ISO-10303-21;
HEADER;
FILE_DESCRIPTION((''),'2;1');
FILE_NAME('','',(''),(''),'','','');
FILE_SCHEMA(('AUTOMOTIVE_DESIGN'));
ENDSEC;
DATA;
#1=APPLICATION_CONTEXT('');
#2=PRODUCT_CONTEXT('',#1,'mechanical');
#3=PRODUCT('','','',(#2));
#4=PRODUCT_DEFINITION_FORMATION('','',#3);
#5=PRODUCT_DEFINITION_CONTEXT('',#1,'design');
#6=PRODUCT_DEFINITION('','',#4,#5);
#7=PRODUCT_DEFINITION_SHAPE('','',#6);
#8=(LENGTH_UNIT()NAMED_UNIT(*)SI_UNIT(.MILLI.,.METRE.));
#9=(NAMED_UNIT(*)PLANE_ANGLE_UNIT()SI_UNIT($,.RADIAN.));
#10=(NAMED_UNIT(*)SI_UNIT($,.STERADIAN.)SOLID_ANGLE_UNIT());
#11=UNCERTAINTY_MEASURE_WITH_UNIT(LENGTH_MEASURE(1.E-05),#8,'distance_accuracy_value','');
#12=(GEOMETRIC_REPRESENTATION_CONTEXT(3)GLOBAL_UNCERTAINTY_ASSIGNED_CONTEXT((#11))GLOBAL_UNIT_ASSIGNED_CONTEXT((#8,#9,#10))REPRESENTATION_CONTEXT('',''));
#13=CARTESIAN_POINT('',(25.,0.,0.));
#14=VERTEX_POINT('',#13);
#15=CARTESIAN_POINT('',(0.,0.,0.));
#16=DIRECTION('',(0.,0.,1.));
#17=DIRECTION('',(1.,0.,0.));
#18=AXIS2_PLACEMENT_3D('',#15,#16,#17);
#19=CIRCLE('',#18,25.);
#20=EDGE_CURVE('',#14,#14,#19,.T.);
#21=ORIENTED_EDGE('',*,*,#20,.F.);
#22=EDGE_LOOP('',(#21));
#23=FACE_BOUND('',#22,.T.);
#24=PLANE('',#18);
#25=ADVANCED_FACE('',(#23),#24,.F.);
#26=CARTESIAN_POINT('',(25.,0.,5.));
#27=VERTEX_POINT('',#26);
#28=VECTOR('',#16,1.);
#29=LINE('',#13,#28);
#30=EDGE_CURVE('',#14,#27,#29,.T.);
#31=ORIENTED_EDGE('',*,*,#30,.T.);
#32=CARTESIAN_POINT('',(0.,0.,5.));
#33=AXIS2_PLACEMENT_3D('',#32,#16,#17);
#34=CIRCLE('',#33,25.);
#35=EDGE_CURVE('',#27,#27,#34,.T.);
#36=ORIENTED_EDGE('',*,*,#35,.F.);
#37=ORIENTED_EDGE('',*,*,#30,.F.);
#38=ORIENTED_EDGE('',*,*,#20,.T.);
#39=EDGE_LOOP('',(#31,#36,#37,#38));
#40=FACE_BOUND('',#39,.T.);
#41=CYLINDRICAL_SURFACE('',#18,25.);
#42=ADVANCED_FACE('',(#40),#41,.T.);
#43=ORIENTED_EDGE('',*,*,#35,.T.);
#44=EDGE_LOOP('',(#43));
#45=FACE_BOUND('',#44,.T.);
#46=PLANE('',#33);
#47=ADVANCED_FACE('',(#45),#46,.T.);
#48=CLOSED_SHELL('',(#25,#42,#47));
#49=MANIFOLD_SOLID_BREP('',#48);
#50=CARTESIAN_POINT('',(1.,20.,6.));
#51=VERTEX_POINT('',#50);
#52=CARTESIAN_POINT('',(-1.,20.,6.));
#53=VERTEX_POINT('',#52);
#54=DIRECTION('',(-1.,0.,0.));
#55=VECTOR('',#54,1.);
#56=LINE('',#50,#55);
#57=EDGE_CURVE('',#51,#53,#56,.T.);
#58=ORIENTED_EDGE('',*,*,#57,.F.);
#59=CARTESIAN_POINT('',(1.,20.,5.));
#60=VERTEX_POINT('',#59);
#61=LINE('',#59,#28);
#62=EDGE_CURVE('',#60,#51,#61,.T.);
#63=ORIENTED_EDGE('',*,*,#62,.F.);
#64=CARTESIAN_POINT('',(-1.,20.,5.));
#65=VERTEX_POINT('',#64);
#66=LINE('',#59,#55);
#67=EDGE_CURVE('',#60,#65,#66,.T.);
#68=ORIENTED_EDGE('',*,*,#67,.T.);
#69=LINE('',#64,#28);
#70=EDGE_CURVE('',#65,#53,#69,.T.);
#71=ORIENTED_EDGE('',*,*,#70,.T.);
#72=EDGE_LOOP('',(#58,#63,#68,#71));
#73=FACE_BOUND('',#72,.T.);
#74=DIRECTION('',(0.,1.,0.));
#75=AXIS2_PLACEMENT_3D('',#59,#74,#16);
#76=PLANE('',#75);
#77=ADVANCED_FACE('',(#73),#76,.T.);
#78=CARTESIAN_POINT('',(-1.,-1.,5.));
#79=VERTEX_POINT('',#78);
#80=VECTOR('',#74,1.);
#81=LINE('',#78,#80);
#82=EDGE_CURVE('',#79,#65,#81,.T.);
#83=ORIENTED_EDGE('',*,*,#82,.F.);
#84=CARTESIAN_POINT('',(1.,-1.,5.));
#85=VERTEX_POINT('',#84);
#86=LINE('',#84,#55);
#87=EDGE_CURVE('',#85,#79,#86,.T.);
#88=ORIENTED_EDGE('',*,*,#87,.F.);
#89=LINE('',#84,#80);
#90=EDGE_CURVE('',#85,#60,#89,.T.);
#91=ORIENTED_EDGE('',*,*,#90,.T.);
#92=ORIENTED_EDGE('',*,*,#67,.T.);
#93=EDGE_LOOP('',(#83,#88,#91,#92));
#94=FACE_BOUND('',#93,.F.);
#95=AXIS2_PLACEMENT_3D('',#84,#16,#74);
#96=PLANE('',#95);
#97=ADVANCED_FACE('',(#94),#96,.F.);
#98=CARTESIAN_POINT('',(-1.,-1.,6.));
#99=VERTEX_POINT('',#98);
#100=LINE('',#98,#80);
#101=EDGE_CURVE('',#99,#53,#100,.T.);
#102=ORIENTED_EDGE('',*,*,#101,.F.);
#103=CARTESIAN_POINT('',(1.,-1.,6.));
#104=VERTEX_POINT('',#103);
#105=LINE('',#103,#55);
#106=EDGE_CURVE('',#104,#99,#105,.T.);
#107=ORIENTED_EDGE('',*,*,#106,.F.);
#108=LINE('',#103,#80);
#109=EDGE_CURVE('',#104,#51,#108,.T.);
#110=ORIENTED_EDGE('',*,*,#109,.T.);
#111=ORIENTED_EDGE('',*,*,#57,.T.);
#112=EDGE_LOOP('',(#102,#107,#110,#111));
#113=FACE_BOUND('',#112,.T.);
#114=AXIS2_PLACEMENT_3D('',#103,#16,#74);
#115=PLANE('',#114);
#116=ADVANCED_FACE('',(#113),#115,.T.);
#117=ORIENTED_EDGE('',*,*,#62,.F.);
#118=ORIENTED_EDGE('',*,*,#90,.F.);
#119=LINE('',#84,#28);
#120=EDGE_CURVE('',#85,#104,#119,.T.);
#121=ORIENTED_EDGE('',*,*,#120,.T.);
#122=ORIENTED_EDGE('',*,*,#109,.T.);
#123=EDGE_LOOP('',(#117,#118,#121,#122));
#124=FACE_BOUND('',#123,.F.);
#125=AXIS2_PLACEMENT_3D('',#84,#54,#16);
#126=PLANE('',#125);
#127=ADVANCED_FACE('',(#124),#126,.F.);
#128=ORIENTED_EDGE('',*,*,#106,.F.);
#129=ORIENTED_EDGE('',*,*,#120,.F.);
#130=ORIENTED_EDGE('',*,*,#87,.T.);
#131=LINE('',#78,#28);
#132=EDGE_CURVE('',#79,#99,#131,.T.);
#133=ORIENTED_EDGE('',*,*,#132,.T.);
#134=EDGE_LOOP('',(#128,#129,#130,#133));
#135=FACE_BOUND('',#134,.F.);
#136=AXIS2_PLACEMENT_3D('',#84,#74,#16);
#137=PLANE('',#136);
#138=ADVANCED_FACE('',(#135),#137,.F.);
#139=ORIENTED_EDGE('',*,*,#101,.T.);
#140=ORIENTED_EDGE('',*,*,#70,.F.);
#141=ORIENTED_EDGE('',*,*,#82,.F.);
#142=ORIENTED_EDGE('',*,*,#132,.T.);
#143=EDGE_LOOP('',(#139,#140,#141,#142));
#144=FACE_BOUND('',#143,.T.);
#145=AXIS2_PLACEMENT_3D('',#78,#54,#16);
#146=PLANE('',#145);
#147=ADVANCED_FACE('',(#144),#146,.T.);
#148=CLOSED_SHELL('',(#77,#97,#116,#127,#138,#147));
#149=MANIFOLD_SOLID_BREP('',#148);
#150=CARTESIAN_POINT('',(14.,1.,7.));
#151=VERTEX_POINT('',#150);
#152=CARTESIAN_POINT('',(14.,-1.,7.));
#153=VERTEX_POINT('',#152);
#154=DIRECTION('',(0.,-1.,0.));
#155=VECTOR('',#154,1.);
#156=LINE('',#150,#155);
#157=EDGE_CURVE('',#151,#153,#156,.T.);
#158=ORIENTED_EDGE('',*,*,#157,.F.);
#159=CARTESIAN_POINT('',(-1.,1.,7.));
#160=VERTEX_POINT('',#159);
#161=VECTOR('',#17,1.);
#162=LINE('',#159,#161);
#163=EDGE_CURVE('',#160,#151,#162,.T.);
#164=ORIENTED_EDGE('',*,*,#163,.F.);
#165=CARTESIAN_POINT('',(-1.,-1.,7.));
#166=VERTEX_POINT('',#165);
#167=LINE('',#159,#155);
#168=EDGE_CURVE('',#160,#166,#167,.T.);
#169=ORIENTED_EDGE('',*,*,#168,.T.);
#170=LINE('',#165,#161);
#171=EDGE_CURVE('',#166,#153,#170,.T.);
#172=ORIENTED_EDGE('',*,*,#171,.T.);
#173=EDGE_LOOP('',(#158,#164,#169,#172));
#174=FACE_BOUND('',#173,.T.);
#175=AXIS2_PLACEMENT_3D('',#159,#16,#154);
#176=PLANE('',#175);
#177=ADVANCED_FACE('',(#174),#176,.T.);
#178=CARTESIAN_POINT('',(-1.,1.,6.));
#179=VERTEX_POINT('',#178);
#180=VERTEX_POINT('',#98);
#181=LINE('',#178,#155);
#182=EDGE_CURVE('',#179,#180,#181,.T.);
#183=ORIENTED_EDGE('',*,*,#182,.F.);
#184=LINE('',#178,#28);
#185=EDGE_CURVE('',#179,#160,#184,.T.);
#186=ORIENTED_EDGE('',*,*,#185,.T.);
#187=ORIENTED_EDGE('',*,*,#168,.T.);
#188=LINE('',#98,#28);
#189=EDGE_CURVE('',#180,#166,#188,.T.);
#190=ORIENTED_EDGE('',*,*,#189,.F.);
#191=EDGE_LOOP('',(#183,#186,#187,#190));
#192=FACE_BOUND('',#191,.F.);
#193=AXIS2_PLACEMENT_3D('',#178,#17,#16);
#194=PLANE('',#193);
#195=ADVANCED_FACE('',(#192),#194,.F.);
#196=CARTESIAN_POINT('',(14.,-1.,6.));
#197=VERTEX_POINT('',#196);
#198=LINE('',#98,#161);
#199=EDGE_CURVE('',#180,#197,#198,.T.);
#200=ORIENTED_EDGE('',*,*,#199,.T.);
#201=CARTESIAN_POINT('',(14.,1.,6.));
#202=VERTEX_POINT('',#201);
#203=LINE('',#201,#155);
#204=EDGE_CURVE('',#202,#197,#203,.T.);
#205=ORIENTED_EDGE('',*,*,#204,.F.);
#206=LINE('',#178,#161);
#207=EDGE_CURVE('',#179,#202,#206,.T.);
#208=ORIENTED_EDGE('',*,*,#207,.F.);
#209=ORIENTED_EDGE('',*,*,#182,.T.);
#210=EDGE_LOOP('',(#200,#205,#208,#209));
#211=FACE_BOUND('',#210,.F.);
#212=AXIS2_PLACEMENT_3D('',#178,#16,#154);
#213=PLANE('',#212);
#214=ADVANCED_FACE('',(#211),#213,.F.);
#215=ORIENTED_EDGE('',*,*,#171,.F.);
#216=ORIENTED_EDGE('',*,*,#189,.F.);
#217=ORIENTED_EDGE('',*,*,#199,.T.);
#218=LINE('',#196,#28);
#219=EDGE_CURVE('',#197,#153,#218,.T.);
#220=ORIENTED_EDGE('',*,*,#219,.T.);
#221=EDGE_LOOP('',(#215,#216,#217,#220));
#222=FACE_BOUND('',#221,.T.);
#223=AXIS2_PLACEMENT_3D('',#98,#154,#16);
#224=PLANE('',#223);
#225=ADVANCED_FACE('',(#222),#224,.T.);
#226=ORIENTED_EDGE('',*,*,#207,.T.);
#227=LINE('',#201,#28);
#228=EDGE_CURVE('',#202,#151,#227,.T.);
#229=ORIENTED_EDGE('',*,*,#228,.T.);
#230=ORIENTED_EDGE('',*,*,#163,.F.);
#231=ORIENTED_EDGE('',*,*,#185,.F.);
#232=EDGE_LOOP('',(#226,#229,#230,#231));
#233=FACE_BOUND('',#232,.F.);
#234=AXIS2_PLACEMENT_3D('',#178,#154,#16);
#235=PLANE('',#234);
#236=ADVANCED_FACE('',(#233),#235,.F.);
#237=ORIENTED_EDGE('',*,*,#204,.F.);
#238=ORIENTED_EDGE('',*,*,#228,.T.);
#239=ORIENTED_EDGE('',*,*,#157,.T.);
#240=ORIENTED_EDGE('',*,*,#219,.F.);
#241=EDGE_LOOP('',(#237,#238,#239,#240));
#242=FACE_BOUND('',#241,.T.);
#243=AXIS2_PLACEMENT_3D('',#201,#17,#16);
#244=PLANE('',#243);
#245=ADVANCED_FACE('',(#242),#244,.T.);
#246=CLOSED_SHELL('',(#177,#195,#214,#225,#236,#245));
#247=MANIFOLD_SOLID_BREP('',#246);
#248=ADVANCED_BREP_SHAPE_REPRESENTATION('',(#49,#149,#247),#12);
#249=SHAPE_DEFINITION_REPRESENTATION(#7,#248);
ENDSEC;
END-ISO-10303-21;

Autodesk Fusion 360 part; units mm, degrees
cylinder "CylinderPrimitive1" add diameter 50 height 5 placed x (1, 0, 0) y (0, 1, 0) z (0, 0, 1) at (0, 0, 0) makes body 1
box "BoxPrimitive1" add length 21 width 2 height 1 placed x (0, 1, 0) y (-1, 0, 0) z (0, 0, 1) at (1, -1, 5) separate body makes body 2
box "BoxPrimitive1'" add length 2 width 15 height 1 placed x (0, -1, 0) y (1, 0, 0) z (0, 0, 1) at (-1, 1, 6) separate body makes body 3 in component "Hour_Hand"
copy_body "Body->Comp1" bodies 2 removing the originals makes body 4 in component "Minutes_Hand"
component "Hour_Hand" placed x (1, 0, 0) y (0, 1, 0) z (0, 0, 1) at (0, 0, 0)
component "Minutes_Hand" placed x (1, 0, 0) y (0, 1, 0) z (0, 0, 1) at (0, 0, 0)
